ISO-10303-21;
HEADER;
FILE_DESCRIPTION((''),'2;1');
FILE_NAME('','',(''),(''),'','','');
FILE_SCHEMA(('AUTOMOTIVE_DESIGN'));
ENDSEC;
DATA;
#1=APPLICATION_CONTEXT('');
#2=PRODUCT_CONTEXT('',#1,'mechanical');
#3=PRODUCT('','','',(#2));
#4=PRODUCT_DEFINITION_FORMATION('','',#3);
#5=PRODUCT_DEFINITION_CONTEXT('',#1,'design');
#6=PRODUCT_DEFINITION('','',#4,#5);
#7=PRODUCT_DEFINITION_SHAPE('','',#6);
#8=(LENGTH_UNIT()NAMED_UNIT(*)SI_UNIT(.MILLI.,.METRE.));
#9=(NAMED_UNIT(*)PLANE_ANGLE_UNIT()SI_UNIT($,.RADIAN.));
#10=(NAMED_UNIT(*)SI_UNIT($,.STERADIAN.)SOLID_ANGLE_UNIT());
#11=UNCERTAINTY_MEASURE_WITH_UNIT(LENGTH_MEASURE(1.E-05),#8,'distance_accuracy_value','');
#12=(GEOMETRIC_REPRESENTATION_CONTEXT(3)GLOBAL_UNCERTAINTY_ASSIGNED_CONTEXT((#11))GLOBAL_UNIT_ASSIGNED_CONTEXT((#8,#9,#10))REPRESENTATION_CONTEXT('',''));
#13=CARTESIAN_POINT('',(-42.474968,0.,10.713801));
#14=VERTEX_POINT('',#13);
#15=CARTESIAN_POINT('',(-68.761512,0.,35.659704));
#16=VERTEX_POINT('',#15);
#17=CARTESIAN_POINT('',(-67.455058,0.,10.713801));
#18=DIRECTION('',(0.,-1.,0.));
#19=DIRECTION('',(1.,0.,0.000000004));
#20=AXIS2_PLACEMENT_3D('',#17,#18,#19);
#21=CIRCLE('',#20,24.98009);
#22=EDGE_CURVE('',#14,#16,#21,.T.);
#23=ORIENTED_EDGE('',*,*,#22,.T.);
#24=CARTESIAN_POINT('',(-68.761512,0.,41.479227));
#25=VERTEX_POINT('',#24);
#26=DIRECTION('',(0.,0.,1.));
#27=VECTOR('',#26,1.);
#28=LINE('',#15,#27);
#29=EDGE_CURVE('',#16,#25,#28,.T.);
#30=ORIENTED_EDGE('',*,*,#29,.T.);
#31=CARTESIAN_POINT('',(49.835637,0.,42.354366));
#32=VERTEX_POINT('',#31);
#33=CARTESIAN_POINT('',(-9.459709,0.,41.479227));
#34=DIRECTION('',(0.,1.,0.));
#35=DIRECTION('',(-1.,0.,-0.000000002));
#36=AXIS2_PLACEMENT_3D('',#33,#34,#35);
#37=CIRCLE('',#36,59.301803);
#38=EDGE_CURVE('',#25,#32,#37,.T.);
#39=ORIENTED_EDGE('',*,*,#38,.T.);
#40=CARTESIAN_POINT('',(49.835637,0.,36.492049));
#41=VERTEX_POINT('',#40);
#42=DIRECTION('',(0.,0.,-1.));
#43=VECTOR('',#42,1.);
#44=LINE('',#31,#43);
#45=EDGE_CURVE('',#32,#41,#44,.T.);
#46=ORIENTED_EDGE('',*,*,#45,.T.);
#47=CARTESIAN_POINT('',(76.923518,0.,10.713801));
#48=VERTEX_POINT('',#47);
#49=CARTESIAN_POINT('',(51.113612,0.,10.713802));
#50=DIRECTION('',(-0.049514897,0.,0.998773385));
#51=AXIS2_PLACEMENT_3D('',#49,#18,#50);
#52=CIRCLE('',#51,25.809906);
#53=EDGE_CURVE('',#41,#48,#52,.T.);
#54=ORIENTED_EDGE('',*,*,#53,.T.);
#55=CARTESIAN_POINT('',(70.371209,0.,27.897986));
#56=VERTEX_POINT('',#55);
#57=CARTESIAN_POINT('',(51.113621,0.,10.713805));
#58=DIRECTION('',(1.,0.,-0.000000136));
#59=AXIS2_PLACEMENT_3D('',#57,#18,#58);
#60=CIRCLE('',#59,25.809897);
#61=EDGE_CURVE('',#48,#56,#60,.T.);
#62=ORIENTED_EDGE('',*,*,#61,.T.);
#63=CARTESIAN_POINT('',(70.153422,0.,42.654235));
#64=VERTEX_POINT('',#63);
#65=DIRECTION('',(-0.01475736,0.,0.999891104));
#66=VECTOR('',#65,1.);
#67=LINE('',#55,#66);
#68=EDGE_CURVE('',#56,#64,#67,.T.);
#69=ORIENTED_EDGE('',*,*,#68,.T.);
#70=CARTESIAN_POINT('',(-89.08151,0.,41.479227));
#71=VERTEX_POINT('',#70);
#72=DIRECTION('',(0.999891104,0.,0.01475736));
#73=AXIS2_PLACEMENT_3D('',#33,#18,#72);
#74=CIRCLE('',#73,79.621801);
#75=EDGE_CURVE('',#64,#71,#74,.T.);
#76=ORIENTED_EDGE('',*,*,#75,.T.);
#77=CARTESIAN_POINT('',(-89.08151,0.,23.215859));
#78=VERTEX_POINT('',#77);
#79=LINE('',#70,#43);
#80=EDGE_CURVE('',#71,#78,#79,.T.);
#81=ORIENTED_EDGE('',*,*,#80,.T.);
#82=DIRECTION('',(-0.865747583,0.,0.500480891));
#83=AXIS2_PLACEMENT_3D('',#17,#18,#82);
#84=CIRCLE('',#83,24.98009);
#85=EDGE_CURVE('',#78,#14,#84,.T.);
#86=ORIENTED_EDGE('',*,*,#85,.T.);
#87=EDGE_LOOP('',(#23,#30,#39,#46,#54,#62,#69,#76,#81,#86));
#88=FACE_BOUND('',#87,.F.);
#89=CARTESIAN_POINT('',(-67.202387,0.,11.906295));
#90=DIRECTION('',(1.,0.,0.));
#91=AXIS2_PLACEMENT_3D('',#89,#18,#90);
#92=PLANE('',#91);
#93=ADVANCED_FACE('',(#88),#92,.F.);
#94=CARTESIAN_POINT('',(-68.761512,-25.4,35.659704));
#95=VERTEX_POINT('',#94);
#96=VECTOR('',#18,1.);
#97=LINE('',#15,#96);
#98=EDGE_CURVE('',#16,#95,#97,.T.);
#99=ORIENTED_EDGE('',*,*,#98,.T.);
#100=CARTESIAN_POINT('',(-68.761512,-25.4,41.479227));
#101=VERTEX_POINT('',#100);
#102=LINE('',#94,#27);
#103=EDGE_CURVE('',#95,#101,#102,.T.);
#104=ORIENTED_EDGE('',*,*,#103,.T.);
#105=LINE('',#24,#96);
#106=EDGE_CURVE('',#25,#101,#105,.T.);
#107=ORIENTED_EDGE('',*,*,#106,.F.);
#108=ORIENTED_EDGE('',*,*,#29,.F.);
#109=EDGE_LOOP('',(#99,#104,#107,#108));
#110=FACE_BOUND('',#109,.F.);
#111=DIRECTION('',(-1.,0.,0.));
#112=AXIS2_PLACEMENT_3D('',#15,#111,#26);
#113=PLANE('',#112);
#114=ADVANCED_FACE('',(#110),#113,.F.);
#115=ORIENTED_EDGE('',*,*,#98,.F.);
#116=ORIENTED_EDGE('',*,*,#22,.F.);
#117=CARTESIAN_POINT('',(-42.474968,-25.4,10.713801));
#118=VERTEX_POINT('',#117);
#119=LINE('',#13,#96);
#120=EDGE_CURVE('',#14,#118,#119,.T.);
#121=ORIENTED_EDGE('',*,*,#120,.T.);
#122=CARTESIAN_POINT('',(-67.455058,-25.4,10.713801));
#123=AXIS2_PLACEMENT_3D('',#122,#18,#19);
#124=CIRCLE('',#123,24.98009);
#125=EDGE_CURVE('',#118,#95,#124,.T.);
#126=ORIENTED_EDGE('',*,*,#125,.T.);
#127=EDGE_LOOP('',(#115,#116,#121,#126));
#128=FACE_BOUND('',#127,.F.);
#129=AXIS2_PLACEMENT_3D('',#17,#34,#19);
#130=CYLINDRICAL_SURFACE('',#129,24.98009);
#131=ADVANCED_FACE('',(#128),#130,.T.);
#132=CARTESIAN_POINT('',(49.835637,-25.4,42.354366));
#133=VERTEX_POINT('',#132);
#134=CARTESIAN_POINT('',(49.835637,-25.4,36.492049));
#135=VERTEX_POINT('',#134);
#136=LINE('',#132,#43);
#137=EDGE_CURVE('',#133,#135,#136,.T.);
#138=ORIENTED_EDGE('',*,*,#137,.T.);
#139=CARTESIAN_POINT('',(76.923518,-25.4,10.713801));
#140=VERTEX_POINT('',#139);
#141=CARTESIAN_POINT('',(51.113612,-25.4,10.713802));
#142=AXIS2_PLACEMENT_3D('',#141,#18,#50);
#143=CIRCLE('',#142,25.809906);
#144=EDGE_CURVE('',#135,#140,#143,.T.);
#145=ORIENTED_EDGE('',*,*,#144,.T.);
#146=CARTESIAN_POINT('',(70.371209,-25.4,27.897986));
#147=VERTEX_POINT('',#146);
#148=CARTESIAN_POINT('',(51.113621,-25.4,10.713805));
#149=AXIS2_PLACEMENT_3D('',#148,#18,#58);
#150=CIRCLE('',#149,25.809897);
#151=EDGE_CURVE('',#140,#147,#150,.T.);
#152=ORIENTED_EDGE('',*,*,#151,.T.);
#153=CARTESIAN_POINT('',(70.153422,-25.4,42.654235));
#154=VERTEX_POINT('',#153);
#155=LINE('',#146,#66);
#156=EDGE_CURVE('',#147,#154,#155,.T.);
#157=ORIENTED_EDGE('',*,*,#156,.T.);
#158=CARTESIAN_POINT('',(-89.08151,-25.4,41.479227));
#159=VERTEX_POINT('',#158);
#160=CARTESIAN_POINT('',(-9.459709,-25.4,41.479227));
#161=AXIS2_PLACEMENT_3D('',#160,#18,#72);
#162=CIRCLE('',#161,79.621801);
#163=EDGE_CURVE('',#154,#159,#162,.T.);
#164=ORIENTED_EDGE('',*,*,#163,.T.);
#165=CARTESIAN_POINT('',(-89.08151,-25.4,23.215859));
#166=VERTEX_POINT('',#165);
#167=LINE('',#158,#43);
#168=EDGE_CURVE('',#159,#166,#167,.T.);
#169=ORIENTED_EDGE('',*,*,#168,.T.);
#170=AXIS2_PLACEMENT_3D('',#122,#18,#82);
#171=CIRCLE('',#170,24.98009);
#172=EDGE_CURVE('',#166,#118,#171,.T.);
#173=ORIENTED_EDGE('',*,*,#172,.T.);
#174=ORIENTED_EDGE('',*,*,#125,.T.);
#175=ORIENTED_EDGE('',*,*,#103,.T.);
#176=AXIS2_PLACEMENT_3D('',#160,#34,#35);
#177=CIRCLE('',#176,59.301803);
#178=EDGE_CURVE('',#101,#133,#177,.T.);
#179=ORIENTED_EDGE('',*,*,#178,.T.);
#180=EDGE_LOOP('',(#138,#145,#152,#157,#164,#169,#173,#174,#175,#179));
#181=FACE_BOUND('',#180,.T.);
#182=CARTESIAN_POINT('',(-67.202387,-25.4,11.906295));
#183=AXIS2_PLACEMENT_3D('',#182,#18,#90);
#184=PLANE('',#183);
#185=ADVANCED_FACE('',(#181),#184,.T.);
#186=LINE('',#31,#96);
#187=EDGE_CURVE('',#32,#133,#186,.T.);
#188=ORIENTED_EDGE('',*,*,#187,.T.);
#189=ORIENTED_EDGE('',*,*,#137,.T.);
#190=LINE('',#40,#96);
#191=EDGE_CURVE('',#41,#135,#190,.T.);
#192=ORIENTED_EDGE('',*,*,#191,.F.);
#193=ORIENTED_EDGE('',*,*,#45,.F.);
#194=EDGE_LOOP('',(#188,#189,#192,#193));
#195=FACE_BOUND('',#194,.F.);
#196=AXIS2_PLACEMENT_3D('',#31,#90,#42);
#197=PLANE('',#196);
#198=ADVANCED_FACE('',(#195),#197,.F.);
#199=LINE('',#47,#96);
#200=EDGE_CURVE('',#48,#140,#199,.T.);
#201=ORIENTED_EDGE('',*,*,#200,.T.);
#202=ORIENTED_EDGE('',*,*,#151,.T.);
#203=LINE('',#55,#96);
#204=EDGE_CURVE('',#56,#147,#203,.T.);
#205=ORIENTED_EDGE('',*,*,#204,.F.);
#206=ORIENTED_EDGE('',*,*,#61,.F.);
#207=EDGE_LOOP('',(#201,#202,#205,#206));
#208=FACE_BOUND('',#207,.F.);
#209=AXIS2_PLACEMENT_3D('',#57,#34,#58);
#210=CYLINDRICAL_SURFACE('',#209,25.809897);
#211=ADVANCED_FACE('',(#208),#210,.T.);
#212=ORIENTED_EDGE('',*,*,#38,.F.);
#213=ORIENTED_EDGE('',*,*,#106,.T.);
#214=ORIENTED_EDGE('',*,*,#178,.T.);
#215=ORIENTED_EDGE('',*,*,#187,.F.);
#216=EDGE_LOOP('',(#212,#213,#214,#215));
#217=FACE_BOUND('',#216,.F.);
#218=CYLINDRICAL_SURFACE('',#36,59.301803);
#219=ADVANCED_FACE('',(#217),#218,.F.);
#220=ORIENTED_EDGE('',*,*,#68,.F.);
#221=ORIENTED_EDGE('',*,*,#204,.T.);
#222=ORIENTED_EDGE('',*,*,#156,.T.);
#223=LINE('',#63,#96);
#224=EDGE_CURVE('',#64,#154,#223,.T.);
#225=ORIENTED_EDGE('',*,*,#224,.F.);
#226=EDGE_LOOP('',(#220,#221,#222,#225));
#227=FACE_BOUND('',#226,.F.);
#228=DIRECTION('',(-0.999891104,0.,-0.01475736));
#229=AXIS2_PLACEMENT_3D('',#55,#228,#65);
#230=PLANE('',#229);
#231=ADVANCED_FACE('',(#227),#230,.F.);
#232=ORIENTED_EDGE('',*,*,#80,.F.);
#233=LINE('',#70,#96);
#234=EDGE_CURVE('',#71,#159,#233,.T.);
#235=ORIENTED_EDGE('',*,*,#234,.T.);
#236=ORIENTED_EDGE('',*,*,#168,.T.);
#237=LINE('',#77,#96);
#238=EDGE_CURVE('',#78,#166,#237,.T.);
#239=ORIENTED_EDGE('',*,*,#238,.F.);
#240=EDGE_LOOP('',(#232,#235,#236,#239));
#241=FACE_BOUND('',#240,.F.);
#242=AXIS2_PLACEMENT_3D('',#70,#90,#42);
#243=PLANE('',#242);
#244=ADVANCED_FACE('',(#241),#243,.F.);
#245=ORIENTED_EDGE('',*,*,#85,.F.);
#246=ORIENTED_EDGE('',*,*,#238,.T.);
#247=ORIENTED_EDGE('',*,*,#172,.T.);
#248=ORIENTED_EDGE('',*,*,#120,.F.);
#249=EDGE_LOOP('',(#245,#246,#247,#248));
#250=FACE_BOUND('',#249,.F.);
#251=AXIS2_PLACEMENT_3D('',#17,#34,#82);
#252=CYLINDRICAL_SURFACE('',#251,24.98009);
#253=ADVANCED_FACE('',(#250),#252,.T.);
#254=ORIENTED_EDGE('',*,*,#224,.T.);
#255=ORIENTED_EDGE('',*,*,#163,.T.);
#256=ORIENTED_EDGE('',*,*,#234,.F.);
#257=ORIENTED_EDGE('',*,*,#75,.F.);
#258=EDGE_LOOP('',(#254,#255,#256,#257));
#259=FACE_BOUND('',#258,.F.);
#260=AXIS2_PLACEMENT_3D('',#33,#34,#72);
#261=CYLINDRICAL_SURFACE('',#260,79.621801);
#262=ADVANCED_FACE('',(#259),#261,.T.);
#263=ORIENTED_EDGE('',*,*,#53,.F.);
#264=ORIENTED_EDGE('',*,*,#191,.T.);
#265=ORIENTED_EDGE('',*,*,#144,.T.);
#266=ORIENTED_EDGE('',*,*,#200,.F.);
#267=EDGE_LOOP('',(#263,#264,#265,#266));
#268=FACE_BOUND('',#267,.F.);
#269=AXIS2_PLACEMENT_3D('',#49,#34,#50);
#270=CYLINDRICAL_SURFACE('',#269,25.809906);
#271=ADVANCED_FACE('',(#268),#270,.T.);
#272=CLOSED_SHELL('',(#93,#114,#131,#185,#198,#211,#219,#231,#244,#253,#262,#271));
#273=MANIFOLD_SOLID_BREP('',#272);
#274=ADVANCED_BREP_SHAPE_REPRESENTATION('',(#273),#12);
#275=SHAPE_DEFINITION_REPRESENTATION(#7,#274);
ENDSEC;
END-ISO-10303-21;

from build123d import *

# Parameters (mm, degrees)
F1_DEPTH = 25.4


with BuildPart() as f1:
    # F0 (on Front) → F1 (new body)
    with BuildSketch(Plane.XZ):
        with BuildLine():
            ThreePointArc((-89.08151, 23.215859), (-73.927081, -13.413316), (-42.474968, 10.713801))
            ThreePointArc((-42.474968, 10.713801), (-50.259571, 28.833407), (-68.761512, 35.659704))
            ThreePointArc((-68.761512, 35.659704), (-80.500818, 32.016689), (-89.08151, 23.215859))
        make_face()
        with BuildLine():
            ThreePointArc((-89.08151, 23.215859), (-80.500818, 32.016689), (-68.761512, 35.659704))
            Line((-68.761512, 35.659704), (-68.761512, 41.479227))
            ThreePointArc((-68.761512, 41.479227), (-9.89729, 100.779416), (49.835637, 42.354366))
            Line((49.835637, 42.354366), (49.835637, 36.492049))
            ThreePointArc((49.835637, 36.492049), (61.077606, 34.522835), (70.371209, 27.897986))
            Line((70.371209, 27.897986), (70.153422, 42.654235))
            ThreePointArc((70.153422, 42.654235), (-10.047229, 121.098861), (-89.08151, 41.479227))
            Line((-89.08151, 41.479227), (-89.08151, 23.215859))
        make_face()
        with BuildLine():
            ThreePointArc((70.371209, 27.897986), (61.077606, 34.522835), (49.835637, 36.492049))
            ThreePointArc((49.835637, 36.492049), (33.320821, -7.982932), (76.923518, 10.713801))
            ThreePointArc((76.923518, 10.713801), (75.229873, 19.909302), (70.371209, 27.897986))
        make_face()
    extrude(amount=F1_DEPTH)


solid = f1.part
